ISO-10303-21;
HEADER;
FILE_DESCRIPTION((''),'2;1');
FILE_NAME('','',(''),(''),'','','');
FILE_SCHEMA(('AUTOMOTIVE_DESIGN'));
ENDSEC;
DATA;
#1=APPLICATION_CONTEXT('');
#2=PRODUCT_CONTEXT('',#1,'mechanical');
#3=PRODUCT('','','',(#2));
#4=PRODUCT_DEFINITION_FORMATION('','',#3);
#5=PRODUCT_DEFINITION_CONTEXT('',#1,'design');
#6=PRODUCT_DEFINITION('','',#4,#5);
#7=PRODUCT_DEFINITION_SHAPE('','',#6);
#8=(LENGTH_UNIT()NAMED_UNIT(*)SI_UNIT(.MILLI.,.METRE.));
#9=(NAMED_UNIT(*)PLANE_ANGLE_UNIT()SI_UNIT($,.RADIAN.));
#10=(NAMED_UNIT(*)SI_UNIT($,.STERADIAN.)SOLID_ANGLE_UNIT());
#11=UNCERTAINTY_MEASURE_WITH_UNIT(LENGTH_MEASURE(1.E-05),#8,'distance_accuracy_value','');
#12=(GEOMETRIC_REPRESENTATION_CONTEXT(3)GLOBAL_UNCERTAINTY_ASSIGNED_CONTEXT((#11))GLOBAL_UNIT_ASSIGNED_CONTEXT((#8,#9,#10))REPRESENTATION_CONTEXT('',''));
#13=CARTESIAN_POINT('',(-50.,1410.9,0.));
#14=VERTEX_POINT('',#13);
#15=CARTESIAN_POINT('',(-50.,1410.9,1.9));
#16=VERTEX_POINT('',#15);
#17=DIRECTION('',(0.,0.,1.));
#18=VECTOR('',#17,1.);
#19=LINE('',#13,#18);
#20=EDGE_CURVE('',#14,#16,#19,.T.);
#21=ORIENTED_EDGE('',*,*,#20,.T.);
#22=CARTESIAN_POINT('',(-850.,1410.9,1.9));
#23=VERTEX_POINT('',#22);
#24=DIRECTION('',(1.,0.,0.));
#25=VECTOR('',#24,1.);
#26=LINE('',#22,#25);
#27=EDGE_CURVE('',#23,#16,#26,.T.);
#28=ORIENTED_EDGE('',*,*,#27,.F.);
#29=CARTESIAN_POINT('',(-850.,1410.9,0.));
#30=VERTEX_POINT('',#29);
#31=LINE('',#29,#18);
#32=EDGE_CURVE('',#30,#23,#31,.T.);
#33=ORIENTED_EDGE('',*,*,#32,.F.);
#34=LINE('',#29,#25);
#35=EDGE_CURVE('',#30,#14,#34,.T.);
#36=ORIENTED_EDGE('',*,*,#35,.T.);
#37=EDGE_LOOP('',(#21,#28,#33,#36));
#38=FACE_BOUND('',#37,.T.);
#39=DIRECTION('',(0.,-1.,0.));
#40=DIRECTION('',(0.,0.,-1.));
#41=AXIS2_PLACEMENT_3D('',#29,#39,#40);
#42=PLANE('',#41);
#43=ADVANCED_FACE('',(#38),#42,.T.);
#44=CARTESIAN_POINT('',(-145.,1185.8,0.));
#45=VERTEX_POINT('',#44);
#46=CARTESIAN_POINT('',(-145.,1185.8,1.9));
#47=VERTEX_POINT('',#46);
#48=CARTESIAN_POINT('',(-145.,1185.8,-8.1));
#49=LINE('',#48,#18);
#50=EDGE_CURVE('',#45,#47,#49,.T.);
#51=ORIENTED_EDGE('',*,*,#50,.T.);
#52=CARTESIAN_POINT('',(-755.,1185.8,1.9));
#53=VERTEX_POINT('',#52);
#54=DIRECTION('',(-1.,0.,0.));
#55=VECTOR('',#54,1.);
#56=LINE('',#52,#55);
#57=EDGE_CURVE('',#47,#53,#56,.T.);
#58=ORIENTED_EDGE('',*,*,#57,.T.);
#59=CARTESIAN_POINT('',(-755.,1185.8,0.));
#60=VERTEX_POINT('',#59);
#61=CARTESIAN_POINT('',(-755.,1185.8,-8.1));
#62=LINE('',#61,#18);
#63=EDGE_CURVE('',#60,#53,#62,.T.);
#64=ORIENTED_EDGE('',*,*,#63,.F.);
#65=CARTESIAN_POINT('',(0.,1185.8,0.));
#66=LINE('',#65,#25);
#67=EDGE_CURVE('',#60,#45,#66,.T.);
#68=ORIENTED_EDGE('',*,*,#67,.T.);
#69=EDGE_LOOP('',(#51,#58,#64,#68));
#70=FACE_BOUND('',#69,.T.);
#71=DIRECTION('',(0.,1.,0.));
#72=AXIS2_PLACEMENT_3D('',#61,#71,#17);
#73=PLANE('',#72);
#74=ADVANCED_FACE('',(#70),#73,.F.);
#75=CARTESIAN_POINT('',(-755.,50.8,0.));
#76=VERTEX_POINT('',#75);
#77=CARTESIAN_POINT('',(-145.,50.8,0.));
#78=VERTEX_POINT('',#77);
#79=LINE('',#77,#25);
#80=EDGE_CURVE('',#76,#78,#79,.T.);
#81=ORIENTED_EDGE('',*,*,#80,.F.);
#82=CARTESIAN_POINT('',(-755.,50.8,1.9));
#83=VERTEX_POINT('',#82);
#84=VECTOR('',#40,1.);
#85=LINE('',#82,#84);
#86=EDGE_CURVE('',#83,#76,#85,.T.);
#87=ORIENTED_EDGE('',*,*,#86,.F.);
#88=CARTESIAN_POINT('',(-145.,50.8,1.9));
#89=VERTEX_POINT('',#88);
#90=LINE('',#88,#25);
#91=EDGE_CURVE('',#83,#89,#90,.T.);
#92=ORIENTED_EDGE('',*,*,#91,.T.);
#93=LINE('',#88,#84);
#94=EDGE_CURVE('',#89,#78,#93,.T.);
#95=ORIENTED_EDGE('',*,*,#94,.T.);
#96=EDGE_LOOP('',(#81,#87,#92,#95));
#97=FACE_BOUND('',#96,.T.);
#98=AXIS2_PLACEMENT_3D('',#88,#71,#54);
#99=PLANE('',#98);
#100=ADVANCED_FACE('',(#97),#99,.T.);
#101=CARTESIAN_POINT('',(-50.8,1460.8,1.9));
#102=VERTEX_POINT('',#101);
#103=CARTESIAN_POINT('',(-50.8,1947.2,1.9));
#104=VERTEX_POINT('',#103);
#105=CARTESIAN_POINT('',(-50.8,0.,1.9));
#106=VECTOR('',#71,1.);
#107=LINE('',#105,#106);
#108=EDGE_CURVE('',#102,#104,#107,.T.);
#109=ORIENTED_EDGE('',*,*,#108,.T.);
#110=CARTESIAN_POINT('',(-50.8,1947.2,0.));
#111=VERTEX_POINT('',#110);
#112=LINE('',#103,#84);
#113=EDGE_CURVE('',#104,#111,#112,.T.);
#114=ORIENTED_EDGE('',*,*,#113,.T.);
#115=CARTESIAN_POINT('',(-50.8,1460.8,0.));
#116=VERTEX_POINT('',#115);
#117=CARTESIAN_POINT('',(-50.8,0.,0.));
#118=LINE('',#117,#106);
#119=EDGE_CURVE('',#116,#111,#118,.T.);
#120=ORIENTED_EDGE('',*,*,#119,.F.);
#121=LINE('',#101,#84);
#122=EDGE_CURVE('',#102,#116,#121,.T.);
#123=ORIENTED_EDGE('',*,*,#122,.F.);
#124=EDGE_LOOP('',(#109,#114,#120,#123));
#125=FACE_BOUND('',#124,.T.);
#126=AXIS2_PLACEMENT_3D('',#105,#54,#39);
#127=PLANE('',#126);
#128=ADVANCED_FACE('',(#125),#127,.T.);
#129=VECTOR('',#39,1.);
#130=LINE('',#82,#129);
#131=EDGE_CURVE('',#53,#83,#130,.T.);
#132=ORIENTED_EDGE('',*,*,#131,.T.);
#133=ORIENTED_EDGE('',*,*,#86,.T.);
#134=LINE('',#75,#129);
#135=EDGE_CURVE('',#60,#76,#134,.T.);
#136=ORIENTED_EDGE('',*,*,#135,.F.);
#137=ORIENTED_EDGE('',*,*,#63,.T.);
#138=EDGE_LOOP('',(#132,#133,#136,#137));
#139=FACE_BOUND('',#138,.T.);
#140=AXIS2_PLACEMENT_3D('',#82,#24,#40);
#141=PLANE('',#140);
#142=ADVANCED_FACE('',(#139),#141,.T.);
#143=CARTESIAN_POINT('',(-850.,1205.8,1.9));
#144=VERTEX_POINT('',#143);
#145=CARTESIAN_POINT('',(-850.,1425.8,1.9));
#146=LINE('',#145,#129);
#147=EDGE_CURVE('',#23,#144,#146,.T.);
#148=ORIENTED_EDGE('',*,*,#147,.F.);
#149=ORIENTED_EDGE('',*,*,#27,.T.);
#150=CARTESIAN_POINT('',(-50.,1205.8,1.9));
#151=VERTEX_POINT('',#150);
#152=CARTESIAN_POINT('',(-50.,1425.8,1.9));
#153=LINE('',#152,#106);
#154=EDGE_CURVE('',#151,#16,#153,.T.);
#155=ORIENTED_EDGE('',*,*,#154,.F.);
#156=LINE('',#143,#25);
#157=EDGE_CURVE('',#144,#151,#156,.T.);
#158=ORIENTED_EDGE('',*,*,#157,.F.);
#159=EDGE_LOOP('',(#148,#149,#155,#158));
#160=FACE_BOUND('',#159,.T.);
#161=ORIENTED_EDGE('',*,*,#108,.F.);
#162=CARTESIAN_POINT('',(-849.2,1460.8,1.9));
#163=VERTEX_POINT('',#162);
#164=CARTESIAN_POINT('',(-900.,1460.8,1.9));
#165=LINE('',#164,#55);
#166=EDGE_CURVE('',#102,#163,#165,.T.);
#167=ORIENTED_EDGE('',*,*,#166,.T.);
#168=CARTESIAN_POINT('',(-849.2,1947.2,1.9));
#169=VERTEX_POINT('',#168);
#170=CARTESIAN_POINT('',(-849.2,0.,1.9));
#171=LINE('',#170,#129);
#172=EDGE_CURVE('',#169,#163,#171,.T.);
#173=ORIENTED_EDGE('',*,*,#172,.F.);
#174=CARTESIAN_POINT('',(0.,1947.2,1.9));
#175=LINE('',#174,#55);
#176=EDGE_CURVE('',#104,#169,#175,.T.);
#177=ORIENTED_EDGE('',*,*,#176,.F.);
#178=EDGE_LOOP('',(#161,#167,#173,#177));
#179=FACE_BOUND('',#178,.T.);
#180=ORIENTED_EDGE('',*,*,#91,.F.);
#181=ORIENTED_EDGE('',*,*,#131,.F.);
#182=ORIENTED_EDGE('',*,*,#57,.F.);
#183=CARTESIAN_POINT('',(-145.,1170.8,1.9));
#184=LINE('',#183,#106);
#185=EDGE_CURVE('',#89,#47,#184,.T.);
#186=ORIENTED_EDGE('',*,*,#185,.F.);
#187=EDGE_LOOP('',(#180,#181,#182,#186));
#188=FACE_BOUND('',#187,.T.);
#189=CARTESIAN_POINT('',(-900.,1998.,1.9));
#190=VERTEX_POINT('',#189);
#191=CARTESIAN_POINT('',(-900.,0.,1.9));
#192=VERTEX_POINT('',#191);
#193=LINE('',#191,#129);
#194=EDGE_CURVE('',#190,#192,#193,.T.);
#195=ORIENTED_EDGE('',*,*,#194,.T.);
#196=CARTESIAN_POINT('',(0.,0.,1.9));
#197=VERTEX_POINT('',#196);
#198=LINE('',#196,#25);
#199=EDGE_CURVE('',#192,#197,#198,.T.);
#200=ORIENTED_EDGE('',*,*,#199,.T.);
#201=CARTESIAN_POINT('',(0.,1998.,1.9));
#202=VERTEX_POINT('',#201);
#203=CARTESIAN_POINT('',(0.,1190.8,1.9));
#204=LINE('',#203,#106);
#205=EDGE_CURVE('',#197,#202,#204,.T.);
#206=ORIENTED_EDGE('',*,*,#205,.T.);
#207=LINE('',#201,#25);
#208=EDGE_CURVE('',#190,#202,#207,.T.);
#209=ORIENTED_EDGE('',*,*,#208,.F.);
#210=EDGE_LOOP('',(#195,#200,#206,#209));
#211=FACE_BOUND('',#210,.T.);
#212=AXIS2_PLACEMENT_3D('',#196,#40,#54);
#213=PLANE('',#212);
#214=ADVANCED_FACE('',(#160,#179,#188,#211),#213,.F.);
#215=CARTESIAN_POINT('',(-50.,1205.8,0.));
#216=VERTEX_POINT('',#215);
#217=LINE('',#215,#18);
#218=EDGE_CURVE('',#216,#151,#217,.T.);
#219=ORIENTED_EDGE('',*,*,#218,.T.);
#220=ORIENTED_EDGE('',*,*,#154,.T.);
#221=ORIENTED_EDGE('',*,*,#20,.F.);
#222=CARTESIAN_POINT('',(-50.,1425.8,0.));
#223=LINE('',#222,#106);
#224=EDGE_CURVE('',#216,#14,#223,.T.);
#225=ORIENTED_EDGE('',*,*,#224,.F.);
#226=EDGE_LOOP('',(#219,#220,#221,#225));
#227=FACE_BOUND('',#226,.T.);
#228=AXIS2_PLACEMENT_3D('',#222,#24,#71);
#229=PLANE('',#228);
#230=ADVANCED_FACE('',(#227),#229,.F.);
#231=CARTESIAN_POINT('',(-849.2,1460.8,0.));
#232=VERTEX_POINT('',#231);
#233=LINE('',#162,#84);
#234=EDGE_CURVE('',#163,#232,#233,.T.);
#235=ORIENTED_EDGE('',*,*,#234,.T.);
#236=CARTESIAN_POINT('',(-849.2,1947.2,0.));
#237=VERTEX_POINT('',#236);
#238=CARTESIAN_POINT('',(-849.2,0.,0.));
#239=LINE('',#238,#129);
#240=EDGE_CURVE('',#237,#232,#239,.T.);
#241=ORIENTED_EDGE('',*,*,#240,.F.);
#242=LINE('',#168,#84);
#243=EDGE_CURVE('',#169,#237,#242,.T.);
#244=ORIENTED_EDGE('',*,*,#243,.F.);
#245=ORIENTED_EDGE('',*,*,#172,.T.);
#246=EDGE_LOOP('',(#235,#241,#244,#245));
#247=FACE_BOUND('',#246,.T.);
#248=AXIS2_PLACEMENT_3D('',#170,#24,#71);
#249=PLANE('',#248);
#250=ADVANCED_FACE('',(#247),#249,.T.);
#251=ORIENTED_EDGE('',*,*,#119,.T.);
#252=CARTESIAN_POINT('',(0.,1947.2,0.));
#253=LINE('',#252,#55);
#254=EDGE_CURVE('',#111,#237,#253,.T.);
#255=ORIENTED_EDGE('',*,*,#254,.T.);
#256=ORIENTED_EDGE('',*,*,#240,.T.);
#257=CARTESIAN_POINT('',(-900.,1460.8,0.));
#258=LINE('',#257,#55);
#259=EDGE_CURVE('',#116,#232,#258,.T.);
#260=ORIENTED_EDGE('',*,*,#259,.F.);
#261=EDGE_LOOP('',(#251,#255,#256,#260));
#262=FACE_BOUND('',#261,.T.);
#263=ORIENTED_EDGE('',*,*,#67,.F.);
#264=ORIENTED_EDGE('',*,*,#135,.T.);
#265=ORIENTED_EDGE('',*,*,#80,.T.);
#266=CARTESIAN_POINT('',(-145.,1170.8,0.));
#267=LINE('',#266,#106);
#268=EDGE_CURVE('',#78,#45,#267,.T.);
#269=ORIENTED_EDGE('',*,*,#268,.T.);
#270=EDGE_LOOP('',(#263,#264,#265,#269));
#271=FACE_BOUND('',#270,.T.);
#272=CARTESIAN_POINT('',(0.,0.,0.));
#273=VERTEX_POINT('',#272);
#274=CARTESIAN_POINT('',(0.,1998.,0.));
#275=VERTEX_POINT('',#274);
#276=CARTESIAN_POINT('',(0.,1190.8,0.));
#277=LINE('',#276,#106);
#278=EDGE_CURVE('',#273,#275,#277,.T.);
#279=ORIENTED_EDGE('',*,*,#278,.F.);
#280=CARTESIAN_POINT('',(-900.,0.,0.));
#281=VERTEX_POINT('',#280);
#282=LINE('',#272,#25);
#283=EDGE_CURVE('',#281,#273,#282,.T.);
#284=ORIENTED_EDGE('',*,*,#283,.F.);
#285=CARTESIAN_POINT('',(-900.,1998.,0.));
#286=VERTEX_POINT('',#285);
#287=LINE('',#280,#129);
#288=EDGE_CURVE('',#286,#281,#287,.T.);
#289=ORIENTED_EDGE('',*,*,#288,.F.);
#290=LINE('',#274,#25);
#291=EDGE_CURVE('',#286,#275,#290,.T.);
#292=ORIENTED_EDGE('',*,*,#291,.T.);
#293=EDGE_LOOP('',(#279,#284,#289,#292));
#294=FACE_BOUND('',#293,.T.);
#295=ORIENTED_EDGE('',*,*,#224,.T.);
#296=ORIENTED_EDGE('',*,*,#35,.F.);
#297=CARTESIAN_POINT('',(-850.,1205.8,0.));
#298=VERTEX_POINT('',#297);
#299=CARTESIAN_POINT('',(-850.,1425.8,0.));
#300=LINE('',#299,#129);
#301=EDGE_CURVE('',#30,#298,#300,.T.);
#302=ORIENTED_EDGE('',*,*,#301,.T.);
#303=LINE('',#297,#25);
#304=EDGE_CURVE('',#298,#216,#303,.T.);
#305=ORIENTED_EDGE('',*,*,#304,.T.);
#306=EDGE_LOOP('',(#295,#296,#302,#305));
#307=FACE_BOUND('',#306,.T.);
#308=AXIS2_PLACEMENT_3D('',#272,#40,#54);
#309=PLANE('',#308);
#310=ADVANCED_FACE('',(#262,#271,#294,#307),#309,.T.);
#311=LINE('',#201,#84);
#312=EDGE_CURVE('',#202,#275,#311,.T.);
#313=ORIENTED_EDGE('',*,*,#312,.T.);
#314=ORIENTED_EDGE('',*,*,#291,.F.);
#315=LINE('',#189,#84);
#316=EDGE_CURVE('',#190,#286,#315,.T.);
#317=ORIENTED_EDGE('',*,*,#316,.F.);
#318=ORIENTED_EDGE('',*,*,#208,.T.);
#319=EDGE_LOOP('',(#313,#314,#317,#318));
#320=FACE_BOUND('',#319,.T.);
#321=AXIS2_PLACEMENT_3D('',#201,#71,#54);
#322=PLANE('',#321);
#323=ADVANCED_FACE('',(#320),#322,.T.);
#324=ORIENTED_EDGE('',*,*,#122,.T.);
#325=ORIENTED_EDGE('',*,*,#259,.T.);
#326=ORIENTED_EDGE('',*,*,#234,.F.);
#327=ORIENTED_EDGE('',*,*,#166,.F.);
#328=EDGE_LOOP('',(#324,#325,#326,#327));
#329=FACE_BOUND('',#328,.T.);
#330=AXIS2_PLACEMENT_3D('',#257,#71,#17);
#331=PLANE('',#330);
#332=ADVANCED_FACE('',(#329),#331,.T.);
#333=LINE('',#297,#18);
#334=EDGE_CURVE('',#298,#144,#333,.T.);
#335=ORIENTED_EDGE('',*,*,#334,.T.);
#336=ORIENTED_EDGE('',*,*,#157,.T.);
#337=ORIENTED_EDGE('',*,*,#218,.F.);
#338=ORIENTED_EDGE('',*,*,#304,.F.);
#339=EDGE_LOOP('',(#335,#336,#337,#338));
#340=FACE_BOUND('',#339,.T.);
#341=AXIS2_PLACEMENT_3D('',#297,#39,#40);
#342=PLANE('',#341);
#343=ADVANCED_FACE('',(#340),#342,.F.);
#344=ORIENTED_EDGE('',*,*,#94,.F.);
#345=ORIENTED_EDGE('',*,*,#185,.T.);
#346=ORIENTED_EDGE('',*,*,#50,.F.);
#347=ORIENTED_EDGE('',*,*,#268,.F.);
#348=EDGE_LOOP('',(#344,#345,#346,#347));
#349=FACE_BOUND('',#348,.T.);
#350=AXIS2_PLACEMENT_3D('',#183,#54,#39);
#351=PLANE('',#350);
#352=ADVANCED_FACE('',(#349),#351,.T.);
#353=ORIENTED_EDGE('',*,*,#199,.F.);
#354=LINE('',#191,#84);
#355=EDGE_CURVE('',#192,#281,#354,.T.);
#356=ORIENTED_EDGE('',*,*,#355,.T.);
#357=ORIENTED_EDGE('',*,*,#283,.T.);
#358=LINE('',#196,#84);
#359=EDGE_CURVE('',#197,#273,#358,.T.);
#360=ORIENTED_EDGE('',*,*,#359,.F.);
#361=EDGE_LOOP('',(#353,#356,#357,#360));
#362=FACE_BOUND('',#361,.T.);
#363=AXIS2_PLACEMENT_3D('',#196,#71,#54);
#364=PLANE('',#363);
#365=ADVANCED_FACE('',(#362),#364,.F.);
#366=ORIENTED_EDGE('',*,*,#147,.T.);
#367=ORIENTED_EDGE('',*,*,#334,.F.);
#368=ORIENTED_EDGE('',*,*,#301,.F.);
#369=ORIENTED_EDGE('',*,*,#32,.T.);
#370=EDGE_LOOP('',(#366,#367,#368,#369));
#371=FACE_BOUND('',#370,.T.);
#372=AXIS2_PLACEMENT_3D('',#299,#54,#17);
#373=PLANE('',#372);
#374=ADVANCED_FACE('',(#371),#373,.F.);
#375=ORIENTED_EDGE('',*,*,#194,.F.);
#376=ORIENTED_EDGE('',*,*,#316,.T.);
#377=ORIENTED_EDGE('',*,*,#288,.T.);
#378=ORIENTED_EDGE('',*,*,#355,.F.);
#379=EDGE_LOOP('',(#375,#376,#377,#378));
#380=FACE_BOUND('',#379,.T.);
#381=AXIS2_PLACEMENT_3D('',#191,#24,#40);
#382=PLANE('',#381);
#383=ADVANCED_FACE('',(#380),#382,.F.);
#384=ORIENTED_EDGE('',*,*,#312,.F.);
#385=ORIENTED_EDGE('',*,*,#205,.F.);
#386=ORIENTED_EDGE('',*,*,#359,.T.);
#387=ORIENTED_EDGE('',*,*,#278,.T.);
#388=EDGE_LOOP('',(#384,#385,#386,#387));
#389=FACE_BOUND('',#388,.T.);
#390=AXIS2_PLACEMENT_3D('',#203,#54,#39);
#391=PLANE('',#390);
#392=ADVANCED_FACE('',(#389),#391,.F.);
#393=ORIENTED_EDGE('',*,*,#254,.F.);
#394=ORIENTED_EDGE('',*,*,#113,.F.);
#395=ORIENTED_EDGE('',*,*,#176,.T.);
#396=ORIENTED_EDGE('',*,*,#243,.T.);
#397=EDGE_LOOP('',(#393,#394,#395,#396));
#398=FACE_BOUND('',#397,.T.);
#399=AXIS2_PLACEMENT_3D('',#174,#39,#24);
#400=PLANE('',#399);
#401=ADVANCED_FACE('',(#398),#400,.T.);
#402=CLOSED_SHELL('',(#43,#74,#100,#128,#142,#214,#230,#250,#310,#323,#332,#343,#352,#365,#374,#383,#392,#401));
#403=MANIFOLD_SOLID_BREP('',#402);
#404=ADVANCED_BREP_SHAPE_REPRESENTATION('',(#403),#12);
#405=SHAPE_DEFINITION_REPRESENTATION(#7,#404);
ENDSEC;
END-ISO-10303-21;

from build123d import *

# Parameters (mm, degrees)
CROQUIS1_W              = 900
CROQUIS1_H              = 1190.8
CROQUIS1_W_2            = 610
CROQUIS1_H_2            = 1120
SALIENTE_EXTRUIR1_DEPTH = 1.9
CROQUIS2_W              = 900
CROQUIS2_H              = 270
SALIENTE_EXTRUIR2_DEPTH = 1.9
CROQUIS4_W              = 800
CROQUIS4_H              = 220
CORTAR_EXTRUIR1_DEPTH   = 1.9
CROQUIS6_W              = 610
CROQUIS6_H              = 15
CORTAR_EXTRUIR2_DEPTH   = 10
CROQUIS7_W              = 800
CROQUIS7_H              = 14.9
SALIENTE_EXTRUIR3_DEPTH = 1.9
SALIENTE_EXTRUIR4_DEPTH = 1.9


with BuildPart() as part:
    # Croquis1 → Saliente-Extruir1 (new body)
    with BuildSketch(Plane.XY):
        with Locations((-450, 595.4)):
            Rectangle(CROQUIS1_W, CROQUIS1_H)
        with Locations((-450, 610.8)):
            Rectangle(CROQUIS1_W_2, CROQUIS1_H_2, mode=Mode.SUBTRACT)
    extrude(amount=SALIENTE_EXTRUIR1_DEPTH)

    # Croquis2 → Saliente-Extruir2 (add)
    with BuildSketch(Plane.XY.offset(1.9)):
        with Locations((-450, 1325.8)):
            Rectangle(CROQUIS2_W, CROQUIS2_H)
    extrude(amount=-SALIENTE_EXTRUIR2_DEPTH)

    # Croquis4 → Cortar-Extruir1 (cut)
    with BuildSketch(Plane.XY.offset(1.9)):
        with Locations((-450, 1315.8)):
            Rectangle(CROQUIS4_W, CROQUIS4_H)
    extrude(amount=-CORTAR_EXTRUIR1_DEPTH, mode=Mode.SUBTRACT)

    # Croquis6 → Cortar-Extruir2 (cut)
    with BuildSketch(Plane.XY.offset(1.9)):
        with Locations((-450, 1178.3)):
            Rectangle(CROQUIS6_W, CROQUIS6_H)
    extrude(amount=-CORTAR_EXTRUIR2_DEPTH, mode=Mode.SUBTRACT)

    # Croquis7 → Saliente-Extruir3 (add)
    with BuildSketch(Plane.XY.offset(1.9)):
        with Locations((-450, 1418.35)):
            Rectangle(CROQUIS7_W, CROQUIS7_H)
    extrude(amount=-SALIENTE_EXTRUIR3_DEPTH)

    # Croquis8 → Saliente-Extruir4 (add)
    with BuildSketch(Plane(origin=(0, 0, 0), x_dir=(-1, 0, 0), z_dir=(0, 0, -1))):
        Polygon((0, 1998), (0, 1460.8), (50.800000001, 1460.8), (50.8, 1947.2), (849.2, 1947.2), (849.200000001, 1460.8), (900, 1460.8), (900, 1998), align=None)
    extrude(amount=-SALIENTE_EXTRUIR4_DEPTH)


solid = part.part
